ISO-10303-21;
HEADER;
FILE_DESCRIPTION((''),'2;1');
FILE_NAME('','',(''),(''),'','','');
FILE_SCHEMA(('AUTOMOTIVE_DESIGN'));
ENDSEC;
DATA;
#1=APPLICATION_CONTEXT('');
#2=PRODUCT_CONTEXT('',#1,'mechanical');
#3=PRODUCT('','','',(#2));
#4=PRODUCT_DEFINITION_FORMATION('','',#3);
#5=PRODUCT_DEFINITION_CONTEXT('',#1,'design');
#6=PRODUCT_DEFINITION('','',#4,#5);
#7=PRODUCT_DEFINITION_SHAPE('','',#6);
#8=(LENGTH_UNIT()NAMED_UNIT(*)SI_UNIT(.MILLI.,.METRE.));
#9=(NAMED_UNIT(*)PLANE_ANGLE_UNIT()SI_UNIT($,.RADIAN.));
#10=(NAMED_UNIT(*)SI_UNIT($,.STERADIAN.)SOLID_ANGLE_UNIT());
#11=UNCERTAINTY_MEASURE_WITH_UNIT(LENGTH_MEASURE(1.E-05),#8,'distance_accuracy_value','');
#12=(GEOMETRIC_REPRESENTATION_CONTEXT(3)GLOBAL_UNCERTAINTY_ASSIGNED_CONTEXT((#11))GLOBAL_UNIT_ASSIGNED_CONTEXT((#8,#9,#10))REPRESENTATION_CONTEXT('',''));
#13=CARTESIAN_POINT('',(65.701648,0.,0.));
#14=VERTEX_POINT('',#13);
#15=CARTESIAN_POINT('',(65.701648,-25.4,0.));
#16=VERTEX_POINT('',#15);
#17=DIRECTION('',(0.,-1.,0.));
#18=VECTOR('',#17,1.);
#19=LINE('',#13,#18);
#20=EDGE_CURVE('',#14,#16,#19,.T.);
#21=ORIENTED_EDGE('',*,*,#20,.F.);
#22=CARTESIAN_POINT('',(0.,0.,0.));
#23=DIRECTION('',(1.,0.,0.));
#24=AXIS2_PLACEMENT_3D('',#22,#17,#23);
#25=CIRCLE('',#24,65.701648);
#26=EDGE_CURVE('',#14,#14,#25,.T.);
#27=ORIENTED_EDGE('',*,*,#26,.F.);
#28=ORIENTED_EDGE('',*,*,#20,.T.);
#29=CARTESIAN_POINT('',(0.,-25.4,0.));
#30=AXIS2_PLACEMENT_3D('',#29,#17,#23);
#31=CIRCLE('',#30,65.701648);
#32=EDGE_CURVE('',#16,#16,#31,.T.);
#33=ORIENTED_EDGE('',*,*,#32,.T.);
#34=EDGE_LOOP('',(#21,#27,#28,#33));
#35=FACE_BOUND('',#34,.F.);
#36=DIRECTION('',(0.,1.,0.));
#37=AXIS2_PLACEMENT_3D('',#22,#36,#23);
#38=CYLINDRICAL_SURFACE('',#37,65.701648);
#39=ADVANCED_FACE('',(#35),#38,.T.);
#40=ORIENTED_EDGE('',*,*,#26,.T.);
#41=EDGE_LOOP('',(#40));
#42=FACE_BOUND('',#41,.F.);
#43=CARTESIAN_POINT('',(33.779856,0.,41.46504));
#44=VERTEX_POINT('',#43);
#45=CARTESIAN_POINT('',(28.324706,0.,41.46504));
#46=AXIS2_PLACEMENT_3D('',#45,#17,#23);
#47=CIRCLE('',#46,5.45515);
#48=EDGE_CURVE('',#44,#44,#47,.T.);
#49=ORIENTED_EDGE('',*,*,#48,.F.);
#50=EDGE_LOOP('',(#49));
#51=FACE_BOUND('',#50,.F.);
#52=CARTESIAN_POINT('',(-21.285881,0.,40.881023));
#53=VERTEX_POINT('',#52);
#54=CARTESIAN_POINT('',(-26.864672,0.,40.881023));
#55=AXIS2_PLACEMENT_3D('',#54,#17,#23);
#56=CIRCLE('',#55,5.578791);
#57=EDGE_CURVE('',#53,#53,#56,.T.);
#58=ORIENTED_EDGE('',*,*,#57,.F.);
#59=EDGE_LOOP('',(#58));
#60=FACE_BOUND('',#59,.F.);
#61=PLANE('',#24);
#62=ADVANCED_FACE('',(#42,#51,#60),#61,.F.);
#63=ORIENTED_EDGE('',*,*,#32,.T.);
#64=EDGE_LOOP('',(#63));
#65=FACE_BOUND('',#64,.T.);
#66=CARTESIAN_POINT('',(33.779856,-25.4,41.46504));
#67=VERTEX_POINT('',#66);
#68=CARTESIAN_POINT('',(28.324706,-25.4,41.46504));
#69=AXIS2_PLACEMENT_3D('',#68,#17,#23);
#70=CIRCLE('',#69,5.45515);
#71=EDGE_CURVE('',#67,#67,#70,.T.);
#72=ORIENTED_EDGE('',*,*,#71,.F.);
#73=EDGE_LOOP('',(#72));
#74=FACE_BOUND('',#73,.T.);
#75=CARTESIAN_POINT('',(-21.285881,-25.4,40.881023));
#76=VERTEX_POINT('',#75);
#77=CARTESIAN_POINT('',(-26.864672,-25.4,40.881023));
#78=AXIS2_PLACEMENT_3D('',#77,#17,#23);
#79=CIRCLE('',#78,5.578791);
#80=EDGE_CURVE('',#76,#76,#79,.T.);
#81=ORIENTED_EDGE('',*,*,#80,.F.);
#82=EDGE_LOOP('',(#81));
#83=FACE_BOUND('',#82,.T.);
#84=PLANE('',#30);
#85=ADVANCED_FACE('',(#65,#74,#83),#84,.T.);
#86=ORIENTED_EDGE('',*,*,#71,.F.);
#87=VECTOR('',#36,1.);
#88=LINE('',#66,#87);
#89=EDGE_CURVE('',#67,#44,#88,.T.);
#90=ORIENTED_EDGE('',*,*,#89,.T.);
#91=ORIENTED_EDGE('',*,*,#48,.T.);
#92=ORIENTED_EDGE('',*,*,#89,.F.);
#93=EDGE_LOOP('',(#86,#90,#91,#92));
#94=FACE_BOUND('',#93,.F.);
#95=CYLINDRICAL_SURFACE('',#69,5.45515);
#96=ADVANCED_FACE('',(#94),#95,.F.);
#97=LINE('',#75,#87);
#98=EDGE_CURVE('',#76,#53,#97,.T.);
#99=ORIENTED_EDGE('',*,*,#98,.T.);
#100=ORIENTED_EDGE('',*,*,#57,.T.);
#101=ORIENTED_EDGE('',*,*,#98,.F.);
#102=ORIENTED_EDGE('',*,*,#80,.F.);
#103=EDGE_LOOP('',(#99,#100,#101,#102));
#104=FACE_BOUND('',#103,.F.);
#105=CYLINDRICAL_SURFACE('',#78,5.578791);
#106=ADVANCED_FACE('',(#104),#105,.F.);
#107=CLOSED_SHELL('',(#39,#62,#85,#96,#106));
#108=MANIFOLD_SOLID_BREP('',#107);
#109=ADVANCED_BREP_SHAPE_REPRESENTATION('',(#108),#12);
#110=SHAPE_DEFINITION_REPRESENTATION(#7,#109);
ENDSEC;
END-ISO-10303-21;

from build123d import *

# Parameters (mm, degrees)
F0_R     = 65.701648
F1_DEPTH = 25.4
F2_R     = 5.578791
F2_R_2   = 5.45515
F3_DEPTH = 25.401


with BuildPart() as f1:
    # F0 (on Front) → F1 (new body)
    with BuildSketch(Plane.XZ):
        Circle(F0_R)
    extrude(amount=F1_DEPTH)

    # F2 (on face) → F3 (cut, through all)
    with BuildSketch(Plane.XZ.offset(25.4)):
        with Locations((-26.864672, 40.881023)):
            Circle(F2_R)
        with Locations((28.324706, 41.46504)):
            Circle(F2_R_2)
    extrude(amount=-F3_DEPTH, mode=Mode.SUBTRACT)


solid = f1.part
